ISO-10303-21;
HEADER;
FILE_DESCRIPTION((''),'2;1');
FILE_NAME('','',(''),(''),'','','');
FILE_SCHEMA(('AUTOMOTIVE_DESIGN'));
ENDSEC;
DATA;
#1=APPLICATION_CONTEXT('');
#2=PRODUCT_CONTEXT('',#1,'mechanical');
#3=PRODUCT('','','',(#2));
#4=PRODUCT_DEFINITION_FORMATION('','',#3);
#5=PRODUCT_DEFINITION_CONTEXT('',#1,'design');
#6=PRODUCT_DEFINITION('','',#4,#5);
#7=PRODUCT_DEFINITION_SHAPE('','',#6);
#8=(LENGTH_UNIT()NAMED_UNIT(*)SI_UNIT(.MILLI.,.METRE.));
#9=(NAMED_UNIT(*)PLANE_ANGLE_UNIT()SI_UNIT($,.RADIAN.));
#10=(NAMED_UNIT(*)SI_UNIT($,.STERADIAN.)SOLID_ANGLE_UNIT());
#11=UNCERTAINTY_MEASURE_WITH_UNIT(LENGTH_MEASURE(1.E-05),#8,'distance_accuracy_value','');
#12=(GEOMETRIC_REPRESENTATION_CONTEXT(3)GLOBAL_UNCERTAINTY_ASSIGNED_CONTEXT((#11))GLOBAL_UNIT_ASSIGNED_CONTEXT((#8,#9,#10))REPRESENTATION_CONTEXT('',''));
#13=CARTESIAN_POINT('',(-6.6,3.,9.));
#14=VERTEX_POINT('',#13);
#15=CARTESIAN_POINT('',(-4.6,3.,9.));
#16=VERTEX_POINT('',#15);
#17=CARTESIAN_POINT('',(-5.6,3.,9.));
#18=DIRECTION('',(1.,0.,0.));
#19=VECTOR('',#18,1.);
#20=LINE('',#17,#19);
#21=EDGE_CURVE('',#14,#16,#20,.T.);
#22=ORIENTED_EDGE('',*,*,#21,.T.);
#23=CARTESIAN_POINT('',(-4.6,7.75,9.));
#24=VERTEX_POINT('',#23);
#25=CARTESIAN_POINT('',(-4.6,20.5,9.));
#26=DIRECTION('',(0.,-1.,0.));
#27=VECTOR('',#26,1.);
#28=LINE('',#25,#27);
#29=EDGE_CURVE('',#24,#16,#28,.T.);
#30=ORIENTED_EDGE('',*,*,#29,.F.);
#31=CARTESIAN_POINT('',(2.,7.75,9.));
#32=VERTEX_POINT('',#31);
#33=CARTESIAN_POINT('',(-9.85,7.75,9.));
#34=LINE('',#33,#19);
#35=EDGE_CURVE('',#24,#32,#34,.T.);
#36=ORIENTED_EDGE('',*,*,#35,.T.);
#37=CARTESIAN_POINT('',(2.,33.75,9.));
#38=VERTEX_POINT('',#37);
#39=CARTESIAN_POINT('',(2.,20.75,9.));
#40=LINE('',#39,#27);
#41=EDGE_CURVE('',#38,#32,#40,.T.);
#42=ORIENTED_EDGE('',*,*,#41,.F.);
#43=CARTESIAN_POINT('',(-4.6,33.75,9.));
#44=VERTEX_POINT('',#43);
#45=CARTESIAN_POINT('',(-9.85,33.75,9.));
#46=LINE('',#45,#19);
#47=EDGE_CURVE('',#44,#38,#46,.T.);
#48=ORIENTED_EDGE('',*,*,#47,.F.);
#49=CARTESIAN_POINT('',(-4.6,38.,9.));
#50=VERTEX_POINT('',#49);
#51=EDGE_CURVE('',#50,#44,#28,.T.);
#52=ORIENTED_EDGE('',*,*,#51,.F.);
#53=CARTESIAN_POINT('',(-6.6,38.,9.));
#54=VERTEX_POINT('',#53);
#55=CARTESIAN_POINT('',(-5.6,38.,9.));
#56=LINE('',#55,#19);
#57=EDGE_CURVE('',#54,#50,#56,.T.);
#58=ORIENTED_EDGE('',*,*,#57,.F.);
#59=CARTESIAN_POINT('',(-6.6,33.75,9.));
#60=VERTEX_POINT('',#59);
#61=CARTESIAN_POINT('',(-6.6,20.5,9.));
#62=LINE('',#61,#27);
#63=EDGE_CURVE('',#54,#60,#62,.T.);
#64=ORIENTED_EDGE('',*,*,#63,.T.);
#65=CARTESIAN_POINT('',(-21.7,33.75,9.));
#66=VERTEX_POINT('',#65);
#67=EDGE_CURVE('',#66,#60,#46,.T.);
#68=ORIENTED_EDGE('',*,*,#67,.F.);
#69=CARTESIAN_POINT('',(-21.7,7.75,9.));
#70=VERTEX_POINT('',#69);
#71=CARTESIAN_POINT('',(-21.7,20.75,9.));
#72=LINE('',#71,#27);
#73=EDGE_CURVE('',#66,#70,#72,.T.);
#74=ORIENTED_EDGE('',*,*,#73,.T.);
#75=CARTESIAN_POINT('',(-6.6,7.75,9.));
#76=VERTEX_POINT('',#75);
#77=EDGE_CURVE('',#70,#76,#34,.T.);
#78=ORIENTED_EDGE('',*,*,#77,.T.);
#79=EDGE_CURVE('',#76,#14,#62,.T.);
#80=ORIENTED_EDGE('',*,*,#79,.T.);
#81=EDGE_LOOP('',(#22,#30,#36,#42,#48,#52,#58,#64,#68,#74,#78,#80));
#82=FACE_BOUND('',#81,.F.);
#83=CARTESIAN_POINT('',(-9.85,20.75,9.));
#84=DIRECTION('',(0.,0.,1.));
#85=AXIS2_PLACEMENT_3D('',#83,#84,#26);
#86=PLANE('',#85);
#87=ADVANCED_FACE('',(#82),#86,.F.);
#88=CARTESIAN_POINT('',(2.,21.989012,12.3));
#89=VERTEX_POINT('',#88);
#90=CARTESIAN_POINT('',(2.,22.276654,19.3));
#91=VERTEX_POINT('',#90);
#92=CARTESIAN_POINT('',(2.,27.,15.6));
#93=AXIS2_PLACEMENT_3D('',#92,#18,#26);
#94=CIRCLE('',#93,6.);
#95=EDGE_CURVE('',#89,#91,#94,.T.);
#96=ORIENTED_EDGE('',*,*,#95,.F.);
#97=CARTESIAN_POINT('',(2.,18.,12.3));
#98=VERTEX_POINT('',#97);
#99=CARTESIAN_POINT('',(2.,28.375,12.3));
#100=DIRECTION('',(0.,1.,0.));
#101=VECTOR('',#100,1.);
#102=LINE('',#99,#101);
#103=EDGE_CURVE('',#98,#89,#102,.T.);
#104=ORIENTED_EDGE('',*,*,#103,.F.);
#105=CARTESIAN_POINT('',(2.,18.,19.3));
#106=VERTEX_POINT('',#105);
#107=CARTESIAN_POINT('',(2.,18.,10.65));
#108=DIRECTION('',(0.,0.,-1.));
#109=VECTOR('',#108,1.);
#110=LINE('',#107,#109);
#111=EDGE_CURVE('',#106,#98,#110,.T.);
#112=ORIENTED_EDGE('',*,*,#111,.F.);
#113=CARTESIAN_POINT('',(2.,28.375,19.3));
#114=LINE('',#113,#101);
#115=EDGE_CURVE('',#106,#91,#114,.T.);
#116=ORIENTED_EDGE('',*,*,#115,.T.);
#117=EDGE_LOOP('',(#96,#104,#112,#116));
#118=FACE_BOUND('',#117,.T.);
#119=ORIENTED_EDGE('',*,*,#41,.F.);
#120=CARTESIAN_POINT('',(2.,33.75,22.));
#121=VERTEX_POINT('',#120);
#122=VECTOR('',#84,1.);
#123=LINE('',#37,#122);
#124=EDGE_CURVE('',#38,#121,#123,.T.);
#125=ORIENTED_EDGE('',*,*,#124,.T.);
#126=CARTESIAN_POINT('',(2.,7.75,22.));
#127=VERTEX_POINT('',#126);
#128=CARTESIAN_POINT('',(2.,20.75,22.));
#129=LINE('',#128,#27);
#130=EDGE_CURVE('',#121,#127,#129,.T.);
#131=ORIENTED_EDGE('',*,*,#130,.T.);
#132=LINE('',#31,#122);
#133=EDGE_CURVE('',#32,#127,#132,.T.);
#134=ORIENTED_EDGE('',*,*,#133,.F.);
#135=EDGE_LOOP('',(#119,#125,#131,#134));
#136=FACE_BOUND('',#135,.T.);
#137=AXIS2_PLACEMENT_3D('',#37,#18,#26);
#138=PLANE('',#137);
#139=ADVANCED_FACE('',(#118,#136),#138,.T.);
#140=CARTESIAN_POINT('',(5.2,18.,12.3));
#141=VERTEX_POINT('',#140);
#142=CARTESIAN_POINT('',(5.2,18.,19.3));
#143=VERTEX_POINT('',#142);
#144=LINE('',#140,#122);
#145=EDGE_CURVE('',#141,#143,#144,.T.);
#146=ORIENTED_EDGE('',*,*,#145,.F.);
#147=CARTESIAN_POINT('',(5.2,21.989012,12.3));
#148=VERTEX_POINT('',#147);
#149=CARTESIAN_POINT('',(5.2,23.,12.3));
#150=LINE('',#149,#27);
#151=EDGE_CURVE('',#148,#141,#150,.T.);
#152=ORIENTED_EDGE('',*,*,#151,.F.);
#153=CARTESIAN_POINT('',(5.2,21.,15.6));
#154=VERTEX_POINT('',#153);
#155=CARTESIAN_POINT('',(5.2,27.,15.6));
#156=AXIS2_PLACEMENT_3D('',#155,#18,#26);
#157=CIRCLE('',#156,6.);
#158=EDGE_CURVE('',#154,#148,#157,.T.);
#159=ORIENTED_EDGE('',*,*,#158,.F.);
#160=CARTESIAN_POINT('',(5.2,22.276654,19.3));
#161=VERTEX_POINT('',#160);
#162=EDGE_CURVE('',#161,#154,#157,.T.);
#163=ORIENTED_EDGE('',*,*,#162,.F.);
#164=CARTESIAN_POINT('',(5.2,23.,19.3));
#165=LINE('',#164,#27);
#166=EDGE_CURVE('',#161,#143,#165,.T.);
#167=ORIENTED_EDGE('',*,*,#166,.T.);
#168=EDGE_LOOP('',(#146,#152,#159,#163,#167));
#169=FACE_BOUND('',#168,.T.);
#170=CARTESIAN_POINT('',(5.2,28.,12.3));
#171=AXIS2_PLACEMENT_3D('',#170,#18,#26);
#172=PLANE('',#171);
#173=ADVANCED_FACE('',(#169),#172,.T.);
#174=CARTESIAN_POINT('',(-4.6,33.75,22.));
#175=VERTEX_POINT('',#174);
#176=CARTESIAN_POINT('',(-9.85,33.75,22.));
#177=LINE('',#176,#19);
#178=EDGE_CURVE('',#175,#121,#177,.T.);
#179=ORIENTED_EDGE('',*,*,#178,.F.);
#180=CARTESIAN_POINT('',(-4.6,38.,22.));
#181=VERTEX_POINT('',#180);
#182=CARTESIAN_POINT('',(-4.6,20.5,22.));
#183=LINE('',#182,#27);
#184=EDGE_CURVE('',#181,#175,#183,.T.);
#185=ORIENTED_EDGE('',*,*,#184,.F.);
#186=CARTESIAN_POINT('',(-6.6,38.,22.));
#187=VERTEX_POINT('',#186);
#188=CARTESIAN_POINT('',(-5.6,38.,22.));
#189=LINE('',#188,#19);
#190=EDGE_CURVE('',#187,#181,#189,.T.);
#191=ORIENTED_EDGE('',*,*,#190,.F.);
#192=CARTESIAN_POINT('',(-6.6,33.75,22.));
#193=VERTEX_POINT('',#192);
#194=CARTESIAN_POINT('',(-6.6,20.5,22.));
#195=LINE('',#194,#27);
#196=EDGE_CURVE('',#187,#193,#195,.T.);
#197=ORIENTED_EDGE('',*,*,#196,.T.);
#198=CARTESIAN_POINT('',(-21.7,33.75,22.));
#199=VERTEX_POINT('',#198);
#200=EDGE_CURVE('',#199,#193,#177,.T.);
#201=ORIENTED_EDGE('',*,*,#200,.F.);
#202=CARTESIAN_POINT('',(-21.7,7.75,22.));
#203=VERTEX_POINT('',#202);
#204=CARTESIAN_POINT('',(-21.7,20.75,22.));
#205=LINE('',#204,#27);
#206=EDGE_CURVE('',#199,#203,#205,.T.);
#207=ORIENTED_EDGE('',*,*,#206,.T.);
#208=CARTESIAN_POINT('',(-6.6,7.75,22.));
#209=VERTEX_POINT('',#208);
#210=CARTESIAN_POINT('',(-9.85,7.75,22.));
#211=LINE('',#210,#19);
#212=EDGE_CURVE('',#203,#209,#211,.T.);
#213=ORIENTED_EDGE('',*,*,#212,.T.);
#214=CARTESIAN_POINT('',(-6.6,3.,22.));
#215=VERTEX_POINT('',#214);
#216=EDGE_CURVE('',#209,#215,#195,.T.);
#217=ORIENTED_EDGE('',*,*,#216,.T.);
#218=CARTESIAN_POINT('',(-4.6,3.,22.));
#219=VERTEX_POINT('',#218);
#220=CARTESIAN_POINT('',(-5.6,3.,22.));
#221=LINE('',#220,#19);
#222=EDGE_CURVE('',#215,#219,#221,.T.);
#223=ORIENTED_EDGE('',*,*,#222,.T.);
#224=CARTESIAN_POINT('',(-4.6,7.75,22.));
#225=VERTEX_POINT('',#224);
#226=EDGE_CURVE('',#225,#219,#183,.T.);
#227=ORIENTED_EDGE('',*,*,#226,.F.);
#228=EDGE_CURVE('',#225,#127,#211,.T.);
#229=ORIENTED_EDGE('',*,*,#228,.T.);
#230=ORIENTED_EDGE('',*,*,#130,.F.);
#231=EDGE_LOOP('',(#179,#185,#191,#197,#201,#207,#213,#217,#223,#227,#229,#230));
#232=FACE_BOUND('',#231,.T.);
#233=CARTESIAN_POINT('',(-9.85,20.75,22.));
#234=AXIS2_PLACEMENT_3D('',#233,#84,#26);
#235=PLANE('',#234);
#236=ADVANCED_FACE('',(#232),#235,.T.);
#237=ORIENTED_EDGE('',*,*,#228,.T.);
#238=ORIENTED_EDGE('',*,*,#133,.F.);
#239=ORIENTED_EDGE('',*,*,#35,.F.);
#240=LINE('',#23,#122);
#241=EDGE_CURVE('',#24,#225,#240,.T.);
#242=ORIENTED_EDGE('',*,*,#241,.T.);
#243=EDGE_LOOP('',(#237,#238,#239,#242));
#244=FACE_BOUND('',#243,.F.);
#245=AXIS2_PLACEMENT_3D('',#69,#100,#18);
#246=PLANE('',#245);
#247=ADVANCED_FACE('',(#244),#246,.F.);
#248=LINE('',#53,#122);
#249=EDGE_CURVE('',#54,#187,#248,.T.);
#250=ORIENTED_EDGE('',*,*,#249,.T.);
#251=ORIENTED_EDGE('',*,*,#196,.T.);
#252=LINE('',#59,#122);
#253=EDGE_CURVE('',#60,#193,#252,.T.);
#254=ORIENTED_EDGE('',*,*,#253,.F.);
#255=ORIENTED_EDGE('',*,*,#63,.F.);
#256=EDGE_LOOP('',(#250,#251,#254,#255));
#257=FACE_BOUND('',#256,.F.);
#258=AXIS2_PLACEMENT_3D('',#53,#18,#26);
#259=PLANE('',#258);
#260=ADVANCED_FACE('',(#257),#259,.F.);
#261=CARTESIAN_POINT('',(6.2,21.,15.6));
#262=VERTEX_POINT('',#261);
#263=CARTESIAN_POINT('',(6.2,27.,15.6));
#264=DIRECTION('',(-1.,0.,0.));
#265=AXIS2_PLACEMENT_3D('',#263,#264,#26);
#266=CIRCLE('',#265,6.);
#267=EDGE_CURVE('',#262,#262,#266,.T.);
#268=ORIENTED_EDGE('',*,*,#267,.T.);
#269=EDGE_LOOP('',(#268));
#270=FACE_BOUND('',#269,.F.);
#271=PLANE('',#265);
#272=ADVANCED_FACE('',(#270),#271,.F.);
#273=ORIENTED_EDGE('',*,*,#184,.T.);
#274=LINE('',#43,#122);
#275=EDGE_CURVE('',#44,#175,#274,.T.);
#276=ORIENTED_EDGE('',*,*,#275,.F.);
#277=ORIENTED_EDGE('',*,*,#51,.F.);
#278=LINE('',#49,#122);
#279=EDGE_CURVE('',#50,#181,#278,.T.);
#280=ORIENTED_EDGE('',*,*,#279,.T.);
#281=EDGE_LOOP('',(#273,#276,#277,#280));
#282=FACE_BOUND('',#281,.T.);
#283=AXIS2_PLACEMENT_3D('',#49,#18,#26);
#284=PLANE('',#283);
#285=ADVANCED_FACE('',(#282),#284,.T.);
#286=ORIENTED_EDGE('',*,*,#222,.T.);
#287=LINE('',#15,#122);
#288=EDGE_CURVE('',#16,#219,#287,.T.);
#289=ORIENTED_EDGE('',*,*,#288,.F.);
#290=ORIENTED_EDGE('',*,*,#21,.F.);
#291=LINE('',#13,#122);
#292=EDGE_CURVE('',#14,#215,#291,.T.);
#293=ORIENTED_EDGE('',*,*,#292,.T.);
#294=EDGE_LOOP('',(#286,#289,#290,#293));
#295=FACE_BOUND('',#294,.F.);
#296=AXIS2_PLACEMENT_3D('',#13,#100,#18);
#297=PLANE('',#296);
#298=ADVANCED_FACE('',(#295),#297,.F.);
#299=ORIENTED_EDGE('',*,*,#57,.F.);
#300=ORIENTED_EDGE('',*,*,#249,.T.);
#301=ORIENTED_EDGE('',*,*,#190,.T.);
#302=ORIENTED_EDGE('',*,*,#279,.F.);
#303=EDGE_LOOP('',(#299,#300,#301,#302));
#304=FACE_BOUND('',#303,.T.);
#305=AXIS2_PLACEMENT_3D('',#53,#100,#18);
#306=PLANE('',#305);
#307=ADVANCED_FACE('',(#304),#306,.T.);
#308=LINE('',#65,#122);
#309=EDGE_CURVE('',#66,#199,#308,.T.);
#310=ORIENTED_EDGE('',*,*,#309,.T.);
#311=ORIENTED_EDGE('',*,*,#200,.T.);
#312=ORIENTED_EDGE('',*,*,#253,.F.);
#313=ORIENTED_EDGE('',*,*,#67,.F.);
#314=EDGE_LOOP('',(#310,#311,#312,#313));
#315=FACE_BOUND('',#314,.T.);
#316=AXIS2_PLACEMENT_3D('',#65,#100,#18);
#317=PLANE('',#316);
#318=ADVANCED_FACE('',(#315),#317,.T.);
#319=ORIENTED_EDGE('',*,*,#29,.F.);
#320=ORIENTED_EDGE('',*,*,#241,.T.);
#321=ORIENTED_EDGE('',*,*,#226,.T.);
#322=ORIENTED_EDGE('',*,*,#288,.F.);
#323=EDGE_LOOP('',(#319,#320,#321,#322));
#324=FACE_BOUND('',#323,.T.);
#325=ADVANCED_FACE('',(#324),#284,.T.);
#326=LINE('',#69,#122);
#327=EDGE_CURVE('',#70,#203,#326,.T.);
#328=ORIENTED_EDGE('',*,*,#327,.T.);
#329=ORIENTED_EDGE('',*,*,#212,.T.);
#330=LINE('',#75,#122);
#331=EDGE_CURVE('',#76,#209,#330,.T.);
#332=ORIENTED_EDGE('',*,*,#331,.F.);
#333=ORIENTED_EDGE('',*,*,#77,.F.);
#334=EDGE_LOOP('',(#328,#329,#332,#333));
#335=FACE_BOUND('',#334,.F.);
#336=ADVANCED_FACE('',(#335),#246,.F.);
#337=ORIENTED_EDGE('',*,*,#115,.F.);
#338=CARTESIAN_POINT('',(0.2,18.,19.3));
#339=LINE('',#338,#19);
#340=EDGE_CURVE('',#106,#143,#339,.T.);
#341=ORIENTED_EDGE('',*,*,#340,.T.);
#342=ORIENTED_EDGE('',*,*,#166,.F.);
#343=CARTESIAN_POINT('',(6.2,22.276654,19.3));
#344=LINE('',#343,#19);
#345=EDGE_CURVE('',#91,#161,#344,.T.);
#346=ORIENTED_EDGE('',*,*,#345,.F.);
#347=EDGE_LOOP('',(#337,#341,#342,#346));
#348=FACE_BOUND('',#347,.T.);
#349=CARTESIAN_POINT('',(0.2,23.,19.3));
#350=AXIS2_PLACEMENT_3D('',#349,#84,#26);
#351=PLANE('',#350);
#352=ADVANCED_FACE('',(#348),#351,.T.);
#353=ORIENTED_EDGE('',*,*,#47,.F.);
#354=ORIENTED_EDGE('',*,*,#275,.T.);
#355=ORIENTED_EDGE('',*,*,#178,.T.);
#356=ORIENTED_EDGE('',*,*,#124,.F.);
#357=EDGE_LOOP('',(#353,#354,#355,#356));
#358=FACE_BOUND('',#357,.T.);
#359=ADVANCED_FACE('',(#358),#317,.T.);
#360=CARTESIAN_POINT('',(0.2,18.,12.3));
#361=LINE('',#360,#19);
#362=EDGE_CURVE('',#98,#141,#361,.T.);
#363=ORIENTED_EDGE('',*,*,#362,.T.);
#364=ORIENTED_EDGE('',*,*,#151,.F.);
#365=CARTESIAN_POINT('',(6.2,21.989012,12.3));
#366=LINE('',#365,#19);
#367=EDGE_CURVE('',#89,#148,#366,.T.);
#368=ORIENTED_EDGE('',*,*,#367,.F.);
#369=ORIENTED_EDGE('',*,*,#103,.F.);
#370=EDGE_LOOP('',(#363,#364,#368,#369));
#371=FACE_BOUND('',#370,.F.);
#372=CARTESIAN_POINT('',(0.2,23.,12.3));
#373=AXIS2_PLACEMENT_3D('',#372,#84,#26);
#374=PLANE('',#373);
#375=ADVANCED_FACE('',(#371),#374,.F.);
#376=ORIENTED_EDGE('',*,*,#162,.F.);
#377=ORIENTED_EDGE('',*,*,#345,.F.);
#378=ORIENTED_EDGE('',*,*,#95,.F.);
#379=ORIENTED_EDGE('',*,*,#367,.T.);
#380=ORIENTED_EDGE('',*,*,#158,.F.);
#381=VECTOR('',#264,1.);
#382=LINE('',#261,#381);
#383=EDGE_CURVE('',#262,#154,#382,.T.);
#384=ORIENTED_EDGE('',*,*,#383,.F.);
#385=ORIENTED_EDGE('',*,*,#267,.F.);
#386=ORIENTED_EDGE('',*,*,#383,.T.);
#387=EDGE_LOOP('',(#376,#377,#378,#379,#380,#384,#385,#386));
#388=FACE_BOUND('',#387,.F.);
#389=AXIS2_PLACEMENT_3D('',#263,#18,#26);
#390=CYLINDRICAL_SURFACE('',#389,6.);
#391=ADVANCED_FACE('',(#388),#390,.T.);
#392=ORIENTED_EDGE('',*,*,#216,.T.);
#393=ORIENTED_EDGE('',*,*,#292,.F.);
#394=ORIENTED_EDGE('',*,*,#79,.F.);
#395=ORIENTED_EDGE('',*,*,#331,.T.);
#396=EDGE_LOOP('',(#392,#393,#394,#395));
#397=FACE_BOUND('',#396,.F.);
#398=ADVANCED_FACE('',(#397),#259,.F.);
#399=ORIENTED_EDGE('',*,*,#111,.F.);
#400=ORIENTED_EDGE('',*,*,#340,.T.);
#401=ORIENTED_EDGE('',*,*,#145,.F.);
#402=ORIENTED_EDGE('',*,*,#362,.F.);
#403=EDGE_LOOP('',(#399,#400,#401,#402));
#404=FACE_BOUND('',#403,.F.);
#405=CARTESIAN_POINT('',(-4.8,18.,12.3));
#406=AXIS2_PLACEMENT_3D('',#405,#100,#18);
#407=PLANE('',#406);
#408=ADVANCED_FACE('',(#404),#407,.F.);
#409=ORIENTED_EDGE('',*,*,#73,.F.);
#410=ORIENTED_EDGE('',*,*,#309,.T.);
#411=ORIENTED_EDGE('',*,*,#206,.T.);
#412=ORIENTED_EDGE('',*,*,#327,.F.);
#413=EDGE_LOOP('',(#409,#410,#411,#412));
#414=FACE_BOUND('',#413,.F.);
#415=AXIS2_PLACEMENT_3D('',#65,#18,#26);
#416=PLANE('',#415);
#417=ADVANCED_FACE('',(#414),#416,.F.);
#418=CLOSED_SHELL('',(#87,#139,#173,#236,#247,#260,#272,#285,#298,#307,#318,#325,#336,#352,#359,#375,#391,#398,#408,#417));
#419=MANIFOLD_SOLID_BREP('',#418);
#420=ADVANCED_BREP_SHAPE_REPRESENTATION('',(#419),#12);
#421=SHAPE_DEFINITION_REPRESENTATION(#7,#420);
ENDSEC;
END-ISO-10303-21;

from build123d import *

# Parameters (mm, degrees)
BOX010_W                  = 10
BOX010_H                  = 10
BOX010_DEPTH              = 7
CYLINDER003_R             = 6
CYLINDER003_DEPTH         = 6
CYLINDER003_ROLL_ANGLE    = 90
BOX009_W                  = 26
BOX009_H                  = 23.7
BOX009_DEPTH              = 13
BOX008_W                  = 35
BOX008_H                  = 2
BOX008_DEPTH              = 13
FUSION005_PLACEMENT_ANGLE = -90


with BuildPart() as cube002:
    # Box010 → Box010 (new body)
    with BuildSketch(Plane(origin=(-32, 3.3, 1.3), x_dir=(1, 0, 0), z_dir=(0, 0, 1))):
        with Locations((5, 5)):
            Rectangle(BOX010_W, BOX010_H)
    extrude(amount=BOX010_DEPTH)


with BuildPart() as cylinder003:
    # Cylinder003 → Cylinder003 (new body)
    with BuildSketch(Plane.XY):
        Circle(CYLINDER003_R)
    extrude(amount=CYLINDER003_DEPTH)


with BuildPart() as cylinder003_1:
    # Cylinder003 roll: moved
    add(cylinder003.part.rotate(Axis((0, 0, 0), (1, 0, 0)), CYLINDER003_ROLL_ANGLE))


with BuildPart() as cylinder003_2:
    # Cylinder003 placement: moved
    add(cylinder003_1.part.moved(Location((-31, 14.3, 4.6))))


with BuildPart() as cube001:
    # Box009 → Box009 (new body)
    with BuildSketch(Plane(origin=(-37.75, -13.6, -2), x_dir=(1, 0, 0), z_dir=(0, 0, 1))):
        with Locations((13, 11.85)):
            Rectangle(BOX009_W, BOX009_H)
    extrude(amount=BOX009_DEPTH)


with BuildPart() as simple_servo_rev_eng:
    # Box008 → Box008 (new body)
    with BuildSketch(Plane(origin=(-42, 1.5, -2), x_dir=(1, 0, 0), z_dir=(0, 0, 1))):
        with Locations((17.5, 1)):
            Rectangle(BOX008_W, BOX008_H)
    extrude(amount=BOX008_DEPTH)

    # Fusion005: union Cube002, Cylinder003, Cube001
    add(cube002.part)
    add(cylinder003_2.part)
    add(cube001.part)


with BuildPart() as simple_servo_rev_eng_1:
    # Fusion005 placement: moved
    add(simple_servo_rev_eng.part.moved(Location((-8.1, -4, 11))).rotate(Axis((-8.1, -4, 11), (0, 0, 1)), FUSION005_PLACEMENT_ANGLE))


solid = simple_servo_rev_eng_1.part
